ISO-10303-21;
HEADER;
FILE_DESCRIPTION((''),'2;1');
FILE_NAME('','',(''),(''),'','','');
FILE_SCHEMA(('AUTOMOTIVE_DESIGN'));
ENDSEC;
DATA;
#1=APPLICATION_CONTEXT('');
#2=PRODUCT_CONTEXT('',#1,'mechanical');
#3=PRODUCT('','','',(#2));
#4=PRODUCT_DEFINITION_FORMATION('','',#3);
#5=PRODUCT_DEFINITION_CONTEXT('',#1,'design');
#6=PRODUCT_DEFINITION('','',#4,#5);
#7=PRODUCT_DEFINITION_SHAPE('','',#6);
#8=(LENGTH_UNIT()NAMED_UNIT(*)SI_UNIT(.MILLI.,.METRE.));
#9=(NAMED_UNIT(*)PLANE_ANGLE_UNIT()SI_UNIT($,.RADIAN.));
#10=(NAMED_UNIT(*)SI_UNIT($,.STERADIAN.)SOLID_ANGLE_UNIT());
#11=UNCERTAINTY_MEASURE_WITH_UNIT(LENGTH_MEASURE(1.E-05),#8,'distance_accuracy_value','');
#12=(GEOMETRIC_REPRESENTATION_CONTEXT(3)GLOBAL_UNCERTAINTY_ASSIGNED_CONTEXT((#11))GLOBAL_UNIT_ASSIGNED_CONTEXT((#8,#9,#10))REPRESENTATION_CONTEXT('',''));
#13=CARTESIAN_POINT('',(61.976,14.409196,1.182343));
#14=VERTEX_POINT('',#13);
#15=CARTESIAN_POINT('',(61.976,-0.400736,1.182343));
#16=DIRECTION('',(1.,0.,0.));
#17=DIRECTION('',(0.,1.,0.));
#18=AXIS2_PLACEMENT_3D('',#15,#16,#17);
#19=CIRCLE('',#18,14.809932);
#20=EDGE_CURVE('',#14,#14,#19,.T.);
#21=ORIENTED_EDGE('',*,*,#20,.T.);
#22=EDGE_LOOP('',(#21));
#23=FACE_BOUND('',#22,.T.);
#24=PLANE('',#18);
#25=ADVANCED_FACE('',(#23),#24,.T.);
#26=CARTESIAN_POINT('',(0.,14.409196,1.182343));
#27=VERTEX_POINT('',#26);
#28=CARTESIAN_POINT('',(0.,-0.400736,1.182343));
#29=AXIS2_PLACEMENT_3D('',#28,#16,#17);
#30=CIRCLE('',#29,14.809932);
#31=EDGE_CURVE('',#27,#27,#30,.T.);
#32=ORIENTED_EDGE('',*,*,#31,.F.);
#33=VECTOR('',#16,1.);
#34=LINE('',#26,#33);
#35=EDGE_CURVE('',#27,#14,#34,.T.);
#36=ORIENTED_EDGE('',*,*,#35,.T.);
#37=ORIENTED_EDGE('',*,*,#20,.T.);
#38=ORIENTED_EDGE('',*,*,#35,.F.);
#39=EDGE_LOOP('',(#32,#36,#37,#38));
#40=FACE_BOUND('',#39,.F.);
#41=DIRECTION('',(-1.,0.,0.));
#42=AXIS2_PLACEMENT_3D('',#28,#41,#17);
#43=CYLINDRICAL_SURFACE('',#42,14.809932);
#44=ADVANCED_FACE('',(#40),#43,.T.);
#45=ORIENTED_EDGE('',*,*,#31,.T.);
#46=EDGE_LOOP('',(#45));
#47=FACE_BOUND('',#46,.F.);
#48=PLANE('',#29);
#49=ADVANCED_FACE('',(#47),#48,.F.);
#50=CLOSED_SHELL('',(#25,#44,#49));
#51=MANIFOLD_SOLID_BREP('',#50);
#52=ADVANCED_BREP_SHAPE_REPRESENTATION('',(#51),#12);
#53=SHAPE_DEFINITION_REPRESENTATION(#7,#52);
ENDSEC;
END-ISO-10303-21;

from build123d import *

# Parameters (mm, degrees)
F0_R     = 13.3987059817
F1_DEPTH = 64.516
F3_R     = 14.8099324152
F4_DEPTH = 61.976


with BuildPart() as f1:
    # F0 (on Top) → F1 (new body)
    with BuildSketch(Plane.XY):
        Circle(F0_R)
    extrude(amount=F1_DEPTH)


with BuildPart() as f4:
    # F3 (on Right) → F4 (new body)
    with BuildSketch(Plane.YZ):
        with Locations((-0.4007364958, 1.1823429543)):
            Circle(F3_R)
    extrude(amount=F4_DEPTH)


solid = f4.part
